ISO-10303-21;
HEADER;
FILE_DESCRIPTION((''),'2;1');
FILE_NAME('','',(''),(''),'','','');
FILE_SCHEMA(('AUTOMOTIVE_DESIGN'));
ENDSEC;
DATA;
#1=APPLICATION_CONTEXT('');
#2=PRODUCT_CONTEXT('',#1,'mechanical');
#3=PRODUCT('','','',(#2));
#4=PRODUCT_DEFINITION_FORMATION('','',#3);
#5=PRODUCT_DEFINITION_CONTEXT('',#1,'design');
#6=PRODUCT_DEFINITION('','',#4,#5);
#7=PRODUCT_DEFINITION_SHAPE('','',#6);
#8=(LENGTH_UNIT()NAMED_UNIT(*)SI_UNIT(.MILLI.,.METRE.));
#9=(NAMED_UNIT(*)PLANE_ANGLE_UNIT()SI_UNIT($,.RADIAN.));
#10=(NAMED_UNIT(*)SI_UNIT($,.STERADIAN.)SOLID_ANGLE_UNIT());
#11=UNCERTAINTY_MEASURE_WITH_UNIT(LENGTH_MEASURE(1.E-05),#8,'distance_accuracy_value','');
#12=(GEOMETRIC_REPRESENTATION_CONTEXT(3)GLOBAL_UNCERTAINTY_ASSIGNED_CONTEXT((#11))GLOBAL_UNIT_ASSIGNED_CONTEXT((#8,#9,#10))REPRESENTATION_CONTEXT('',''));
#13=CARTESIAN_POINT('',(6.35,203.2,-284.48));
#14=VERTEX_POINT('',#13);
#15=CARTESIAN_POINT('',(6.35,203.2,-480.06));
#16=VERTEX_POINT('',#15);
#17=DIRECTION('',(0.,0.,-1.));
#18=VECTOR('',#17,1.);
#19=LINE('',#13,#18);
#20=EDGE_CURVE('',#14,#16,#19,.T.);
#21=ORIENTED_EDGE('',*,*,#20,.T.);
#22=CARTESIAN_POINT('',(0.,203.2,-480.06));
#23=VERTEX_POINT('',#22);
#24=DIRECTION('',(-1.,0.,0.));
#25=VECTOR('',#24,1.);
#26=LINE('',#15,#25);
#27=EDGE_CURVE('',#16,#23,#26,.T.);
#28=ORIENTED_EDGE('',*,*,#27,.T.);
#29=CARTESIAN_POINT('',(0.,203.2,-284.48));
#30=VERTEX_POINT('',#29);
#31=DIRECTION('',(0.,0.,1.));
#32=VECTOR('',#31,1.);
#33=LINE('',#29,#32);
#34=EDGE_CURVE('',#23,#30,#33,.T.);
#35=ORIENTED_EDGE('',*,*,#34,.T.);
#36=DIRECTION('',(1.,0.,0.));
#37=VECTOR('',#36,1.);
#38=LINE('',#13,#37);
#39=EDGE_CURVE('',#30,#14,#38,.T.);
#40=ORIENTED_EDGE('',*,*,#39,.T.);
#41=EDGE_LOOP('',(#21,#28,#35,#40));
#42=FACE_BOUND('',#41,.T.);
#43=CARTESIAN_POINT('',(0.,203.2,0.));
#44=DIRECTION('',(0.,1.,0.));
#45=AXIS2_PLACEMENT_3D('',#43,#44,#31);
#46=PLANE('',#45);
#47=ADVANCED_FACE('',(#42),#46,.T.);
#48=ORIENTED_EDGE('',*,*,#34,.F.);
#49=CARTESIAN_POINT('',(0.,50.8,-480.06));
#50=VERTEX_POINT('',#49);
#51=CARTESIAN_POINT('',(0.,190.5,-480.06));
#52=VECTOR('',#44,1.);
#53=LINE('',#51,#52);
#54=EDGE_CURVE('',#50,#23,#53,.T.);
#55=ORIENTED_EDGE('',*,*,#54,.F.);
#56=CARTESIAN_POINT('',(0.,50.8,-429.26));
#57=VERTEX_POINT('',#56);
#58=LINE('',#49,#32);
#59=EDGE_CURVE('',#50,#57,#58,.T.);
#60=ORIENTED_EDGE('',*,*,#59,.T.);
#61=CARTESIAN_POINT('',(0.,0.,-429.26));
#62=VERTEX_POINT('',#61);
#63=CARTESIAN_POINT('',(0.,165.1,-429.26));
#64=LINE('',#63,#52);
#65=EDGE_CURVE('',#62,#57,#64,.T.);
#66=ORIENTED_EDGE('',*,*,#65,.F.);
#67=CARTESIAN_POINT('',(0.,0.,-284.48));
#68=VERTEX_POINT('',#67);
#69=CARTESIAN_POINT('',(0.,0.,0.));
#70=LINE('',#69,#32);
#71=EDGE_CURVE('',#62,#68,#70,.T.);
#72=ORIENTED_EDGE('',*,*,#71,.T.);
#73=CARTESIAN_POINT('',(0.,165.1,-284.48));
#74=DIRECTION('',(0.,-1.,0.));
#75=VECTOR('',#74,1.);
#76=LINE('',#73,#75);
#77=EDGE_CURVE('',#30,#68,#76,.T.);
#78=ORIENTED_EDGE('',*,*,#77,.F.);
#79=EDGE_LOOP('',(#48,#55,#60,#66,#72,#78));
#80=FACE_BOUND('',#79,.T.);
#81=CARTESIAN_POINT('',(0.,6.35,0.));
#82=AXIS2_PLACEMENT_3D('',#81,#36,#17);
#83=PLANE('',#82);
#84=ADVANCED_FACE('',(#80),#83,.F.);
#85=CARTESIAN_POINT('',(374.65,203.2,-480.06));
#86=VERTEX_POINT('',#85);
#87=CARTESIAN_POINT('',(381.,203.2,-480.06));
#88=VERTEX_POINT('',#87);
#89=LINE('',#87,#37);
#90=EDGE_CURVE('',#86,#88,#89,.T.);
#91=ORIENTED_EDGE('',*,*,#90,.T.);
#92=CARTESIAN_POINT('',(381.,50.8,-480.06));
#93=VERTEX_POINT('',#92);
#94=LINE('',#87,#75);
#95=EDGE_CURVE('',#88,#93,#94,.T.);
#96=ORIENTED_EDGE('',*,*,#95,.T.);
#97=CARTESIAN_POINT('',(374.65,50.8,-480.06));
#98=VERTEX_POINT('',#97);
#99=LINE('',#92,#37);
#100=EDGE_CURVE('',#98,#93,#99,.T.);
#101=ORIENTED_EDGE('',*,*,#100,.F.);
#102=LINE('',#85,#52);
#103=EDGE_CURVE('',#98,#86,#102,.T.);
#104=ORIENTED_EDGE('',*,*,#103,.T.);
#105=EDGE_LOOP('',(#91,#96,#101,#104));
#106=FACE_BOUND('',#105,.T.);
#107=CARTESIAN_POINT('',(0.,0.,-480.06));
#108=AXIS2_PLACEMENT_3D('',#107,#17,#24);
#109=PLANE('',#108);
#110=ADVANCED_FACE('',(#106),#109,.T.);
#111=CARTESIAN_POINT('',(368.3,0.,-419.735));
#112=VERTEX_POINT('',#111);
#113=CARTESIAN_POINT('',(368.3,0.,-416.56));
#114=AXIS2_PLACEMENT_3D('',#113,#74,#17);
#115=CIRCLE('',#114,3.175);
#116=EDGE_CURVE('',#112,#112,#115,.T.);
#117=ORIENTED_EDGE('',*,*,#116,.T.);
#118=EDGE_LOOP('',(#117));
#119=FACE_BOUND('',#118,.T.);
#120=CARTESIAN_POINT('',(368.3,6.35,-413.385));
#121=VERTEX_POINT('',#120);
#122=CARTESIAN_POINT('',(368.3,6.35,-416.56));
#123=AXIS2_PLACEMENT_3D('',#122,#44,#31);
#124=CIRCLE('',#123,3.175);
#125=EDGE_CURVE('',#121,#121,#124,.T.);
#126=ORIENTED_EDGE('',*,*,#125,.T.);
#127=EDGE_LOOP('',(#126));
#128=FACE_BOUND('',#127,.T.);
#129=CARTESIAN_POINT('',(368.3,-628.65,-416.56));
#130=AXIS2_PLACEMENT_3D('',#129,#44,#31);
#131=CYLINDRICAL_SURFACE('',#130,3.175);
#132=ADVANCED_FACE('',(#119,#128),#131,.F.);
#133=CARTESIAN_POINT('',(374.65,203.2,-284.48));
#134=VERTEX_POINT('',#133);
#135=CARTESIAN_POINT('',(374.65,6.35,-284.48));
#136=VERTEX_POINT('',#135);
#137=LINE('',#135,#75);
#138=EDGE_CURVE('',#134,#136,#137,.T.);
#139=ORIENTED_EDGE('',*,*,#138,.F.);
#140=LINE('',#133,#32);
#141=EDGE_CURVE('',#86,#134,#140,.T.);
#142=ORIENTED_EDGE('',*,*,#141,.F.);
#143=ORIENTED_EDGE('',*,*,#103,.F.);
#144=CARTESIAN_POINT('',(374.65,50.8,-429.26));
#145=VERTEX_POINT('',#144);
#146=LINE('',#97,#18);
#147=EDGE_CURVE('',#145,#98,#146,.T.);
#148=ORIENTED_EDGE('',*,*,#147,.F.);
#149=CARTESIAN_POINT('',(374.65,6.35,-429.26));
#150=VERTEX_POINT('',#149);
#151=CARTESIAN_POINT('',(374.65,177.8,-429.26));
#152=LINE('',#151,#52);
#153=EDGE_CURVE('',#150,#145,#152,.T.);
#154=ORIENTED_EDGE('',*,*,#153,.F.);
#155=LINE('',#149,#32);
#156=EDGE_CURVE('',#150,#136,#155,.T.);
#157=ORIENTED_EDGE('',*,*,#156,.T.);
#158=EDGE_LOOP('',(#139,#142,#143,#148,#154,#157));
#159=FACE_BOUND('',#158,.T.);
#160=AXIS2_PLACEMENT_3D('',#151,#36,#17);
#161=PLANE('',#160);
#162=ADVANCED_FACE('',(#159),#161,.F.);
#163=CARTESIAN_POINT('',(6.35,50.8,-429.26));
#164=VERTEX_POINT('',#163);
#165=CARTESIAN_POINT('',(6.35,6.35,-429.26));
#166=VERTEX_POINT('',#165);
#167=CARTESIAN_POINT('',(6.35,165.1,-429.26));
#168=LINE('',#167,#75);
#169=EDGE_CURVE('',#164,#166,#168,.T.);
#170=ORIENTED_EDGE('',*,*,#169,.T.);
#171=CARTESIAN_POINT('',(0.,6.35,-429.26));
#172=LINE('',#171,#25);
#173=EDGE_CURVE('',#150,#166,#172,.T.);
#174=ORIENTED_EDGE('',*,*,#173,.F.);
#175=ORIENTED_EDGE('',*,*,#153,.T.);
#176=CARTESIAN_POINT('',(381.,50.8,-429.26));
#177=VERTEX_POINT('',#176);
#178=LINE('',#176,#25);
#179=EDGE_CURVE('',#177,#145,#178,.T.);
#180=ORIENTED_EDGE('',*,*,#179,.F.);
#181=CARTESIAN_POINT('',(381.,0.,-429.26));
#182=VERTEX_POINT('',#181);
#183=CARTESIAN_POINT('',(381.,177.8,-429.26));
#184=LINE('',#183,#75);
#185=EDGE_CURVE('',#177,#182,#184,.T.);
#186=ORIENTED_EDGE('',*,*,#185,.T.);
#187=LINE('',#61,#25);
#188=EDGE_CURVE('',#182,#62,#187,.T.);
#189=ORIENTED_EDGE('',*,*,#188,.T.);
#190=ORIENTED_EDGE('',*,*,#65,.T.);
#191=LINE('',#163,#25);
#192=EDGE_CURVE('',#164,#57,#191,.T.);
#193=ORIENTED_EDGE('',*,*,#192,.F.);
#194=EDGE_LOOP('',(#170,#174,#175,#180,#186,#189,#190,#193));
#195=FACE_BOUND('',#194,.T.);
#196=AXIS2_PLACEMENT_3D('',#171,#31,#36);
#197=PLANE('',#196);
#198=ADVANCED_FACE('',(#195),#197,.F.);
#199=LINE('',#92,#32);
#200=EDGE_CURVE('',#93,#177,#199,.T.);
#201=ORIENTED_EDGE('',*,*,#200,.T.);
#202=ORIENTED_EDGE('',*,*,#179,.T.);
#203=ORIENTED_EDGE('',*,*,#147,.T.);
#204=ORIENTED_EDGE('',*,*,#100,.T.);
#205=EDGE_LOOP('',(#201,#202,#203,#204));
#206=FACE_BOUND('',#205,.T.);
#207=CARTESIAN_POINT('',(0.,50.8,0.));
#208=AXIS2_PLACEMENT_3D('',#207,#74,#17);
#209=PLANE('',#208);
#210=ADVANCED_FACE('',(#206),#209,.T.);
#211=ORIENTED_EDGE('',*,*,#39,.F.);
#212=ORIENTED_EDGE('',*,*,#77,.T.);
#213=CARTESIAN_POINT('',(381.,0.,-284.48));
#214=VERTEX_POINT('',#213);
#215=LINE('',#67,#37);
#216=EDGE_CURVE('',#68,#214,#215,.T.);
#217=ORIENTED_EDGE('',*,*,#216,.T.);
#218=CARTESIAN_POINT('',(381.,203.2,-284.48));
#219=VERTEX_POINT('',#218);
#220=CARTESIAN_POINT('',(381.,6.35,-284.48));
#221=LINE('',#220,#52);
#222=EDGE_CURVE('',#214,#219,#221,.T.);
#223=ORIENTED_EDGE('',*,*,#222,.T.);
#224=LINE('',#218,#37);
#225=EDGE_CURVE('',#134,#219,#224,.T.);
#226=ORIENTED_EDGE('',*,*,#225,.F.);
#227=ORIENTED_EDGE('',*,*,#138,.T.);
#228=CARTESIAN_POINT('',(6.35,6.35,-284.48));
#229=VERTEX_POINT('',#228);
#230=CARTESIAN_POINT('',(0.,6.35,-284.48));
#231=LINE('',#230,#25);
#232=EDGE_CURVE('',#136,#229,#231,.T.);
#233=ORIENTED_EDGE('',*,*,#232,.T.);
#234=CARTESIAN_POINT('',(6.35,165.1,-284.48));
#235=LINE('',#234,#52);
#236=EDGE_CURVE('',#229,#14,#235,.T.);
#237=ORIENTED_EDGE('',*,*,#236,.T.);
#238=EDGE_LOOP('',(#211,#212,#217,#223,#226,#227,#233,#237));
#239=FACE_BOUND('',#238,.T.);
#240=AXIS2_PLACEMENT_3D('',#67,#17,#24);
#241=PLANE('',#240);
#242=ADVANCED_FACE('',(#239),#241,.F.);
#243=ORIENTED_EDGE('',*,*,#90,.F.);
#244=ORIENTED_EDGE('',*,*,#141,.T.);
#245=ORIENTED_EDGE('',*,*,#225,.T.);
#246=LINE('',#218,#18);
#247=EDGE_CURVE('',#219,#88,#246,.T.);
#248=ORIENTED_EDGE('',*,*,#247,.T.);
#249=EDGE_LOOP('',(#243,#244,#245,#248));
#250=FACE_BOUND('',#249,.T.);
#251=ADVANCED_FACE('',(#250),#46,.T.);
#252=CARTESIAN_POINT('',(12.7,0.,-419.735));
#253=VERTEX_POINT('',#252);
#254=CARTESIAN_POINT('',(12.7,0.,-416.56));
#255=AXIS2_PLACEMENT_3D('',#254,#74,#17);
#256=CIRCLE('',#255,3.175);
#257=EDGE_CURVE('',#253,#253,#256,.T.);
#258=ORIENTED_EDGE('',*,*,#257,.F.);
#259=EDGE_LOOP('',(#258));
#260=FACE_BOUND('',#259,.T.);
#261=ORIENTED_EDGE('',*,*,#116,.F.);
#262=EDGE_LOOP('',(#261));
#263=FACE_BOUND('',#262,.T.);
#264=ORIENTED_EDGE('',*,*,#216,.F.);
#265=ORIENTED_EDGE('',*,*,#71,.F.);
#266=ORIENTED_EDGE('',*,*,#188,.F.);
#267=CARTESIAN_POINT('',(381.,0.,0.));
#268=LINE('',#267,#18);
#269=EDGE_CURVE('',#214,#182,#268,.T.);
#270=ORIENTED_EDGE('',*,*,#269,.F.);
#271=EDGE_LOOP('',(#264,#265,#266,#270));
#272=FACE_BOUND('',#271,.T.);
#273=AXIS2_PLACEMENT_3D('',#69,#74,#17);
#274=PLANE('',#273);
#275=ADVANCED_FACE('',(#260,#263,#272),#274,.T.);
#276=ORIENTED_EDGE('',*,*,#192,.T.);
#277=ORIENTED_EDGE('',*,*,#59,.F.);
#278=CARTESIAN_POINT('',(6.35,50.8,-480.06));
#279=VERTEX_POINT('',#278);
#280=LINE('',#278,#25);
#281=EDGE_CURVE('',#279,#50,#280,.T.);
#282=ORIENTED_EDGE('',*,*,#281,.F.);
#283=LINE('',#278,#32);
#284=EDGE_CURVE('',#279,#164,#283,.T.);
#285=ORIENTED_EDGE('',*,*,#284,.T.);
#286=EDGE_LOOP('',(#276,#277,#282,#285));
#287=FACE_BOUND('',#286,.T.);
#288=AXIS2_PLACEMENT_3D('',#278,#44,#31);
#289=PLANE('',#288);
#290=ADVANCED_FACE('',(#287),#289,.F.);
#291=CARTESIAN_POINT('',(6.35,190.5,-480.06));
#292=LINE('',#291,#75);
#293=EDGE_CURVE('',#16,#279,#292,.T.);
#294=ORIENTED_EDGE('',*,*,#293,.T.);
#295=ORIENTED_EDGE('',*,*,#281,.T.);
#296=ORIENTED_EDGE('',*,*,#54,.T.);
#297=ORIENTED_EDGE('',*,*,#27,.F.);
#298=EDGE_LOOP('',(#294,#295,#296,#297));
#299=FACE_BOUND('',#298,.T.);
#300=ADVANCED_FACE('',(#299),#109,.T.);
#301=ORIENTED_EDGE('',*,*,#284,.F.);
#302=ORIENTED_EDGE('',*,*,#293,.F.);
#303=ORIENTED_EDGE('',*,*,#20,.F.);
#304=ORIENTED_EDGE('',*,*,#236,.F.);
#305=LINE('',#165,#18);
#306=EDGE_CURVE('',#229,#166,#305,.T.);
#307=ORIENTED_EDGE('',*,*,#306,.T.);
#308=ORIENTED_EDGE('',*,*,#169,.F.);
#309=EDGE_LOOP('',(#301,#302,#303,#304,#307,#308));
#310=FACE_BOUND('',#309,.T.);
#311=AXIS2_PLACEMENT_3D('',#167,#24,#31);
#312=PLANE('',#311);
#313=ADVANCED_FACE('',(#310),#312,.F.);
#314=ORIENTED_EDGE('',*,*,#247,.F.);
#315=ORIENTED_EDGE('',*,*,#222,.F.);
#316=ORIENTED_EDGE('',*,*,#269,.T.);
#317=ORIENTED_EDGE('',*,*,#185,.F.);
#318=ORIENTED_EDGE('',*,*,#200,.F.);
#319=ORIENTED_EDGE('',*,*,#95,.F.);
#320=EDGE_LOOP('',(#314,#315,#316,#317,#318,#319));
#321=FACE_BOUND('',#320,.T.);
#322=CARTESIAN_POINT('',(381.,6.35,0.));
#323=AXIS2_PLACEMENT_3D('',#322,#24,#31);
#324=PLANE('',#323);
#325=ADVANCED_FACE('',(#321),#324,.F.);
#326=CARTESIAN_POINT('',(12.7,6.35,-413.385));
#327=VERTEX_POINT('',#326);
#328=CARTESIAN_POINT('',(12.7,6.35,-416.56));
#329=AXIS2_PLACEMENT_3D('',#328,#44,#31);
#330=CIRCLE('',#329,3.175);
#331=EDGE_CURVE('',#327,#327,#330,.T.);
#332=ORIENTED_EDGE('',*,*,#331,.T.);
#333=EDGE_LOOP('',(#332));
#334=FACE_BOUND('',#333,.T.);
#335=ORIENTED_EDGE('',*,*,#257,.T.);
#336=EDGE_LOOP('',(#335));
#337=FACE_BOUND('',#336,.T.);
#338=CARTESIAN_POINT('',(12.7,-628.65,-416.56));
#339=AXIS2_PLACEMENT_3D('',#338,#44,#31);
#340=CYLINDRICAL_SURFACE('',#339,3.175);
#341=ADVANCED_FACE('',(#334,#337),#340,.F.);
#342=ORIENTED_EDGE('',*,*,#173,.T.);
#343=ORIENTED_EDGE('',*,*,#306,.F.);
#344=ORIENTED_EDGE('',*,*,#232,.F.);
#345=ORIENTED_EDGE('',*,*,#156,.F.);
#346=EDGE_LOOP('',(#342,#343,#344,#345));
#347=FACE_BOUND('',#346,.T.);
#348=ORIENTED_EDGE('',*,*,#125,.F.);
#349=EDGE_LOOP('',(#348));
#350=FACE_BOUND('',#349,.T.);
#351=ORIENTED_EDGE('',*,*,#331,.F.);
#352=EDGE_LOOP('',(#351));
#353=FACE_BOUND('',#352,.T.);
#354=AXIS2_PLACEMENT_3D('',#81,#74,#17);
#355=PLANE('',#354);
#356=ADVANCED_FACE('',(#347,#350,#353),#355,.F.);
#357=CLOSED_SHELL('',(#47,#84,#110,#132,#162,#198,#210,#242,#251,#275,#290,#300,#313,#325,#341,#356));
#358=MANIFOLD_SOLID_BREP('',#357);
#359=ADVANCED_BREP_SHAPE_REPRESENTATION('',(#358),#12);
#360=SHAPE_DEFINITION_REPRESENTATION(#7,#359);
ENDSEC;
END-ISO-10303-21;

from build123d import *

# Parameters (mm, degrees)
SKETCH1_W            = 381
SKETCH1_H            = 429.26
BOSS_EXTRUDE1_DEPTH  = 6.35
SKETCH2_W            = 254
SKETCH2_H            = 203.2
CUT_EXTRUDE1_DEPTH   = 6.35
SKETCH3_W            = 381
SKETCH3_H            = 73.66
CUT_EXTRUDE2_DEPTH   = 6.35
SKETCH4_W            = 254
SKETCH4_H            = 6.35
CUT_EXTRUDE3_DEPTH   = 73.66
SKETCH6_W            = 6.35
SKETCH6_H            = 195.58
BOSS_EXTRUDE2_DEPTH  = 171.45
SKETCH7_W            = 6.35
SKETCH7_H            = 195.58
BOSS_EXTRUDE3_DEPTH  = 158.75
SKETCH8_W            = 6.35
SKETCH8_H            = 165.1
BOSS_EXTRUDE4_DEPTH  = 50.8
SKETCH9_W            = 6.35
SKETCH9_H            = 158.75
CUT_EXTRUDE4_DEPTH   = 50.8
SKETCH10_W           = 6.899940386
SKETCH10_H           = 177.8
BOSS_EXTRUDE5_DEPTH  = 50.8
SKETCH11_W           = 6.35
SKETCH11_H           = 171.45
CUT_EXTRUDE5_DEPTH   = 50.8
SKETCH13_W           = 0.549940386
SKETCH13_H           = 171.45
CUT_EXTRUDE6_DEPTH   = 50.8
SKETCH14_W           = 6.899940386
SKETCH14_H           = 177.8
CUT_EXTRUDE7_DEPTH   = 50.8
SKETCH15_W           = 6.35
SKETCH15_H           = 165.1
CUT_EXTRUDE8_DEPTH   = 50.8
SKETCH16_W           = 6.35
SKETCH16_H           = 144.78
BOSS_EXTRUDE6_DEPTH  = 25.4
SKETCH17_W           = 6.35
SKETCH17_H           = 144.78
BOSS_EXTRUDE7_DEPTH  = 19.05
SKETCH19_W           = 6.35
SKETCH19_H           = 139.7
BOSS_EXTRUDE8_DEPTH  = 50.8
SKETCH20_W           = 6.35
SKETCH20_H           = 195.58
BOSS_EXTRUDE9_DEPTH  = 31.75
SKETCH21_W           = 6.35
SKETCH21_H           = 139.7
BOSS_EXTRUDE10_DEPTH = 50.8
SKETCH22_W           = 6.35
SKETCH22_H           = 195.58
BOSS_EXTRUDE11_DEPTH = 50.8
SKETCH23_W           = 6.35
SKETCH23_H           = 50.8
BOSS_EXTRUDE12_DEPTH = 12.7
SKETCH24_W           = 6.35
SKETCH24_H           = 195.58
BOSS_EXTRUDE13_DEPTH = 12.7
SKETCH26_W           = 381
SKETCH26_H           = 210.82
CUT_EXTRUDE9_DEPTH   = 12.7
SKETCH27_R           = 3.175
CUT_EXTRUDE10_DEPTH  = 635
SKETCH28_R           = 3.175
CUT_EXTRUDE11_DEPTH  = 635


with BuildPart() as part:
    # Sketch1 → Boss-Extrude1 (new body)
    with BuildSketch(Plane(origin=(0, 0, 0), x_dir=(1, 0, 0), z_dir=(0, 1, 0))):
        with Locations((190.5, 214.63)):
            Rectangle(SKETCH1_W, SKETCH1_H)
    extrude(amount=BOSS_EXTRUDE1_DEPTH)

    # Sketch2 → Cut-Extrude1 (cut)
    with BuildSketch(Plane(origin=(0, 6.35, 0), x_dir=(1, 0, 0), z_dir=(0, 1, 0))):
        with Locations((190.5, 101.6)):
            Rectangle(SKETCH2_W, SKETCH2_H)
    extrude(amount=-CUT_EXTRUDE1_DEPTH, mode=Mode.SUBTRACT)

    # Sketch3 → Cut-Extrude2 (cut)
    with BuildSketch(Plane(origin=(0, 6.35, 0), x_dir=(1, 0, 0), z_dir=(0, 1, 0))):
        with Locations((190.5, 36.83)):
            Rectangle(SKETCH3_W, SKETCH3_H)
    extrude(amount=-CUT_EXTRUDE2_DEPTH, mode=Mode.SUBTRACT)

    # Sketch4 → Cut-Extrude3 (cut)
    with BuildSketch(Plane.XY.offset(-203.2)):
        with Locations((190.5, 3.175)):
            Rectangle(SKETCH4_W, SKETCH4_H)
    extrude(amount=-CUT_EXTRUDE3_DEPTH, mode=Mode.SUBTRACT)

    # Sketch6 → Boss-Extrude2 (add)
    with BuildSketch(Plane(origin=(0, 6.35, 0), x_dir=(1, 0, 0), z_dir=(0, 1, 0))):
        with Locations((377.825, 331.47)):
            Rectangle(SKETCH6_W, SKETCH6_H)
    extrude(amount=BOSS_EXTRUDE2_DEPTH)

    # Sketch7 → Boss-Extrude3 (add)
    with BuildSketch(Plane(origin=(0, 6.35, 0), x_dir=(1, 0, 0), z_dir=(0, 1, 0))):
        with Locations((3.175, 331.47)):
            Rectangle(SKETCH7_W, SKETCH7_H)
    extrude(amount=BOSS_EXTRUDE3_DEPTH)

    # Sketch8 → Boss-Extrude4 (add)
    with BuildSketch(Plane(origin=(0, 0, -429.26), x_dir=(-1, 0, 0), z_dir=(0, 0, -1))):
        with Locations((-3.175, 82.55)):
            Rectangle(SKETCH8_W, SKETCH8_H)
    extrude(amount=BOSS_EXTRUDE4_DEPTH)

    # Sketch9 → Cut-Extrude4 (cut)
    with BuildSketch(Plane.XY.offset(-233.68)):
        with Locations((3.175, 85.725)):
            Rectangle(SKETCH9_W, SKETCH9_H)
    extrude(amount=-CUT_EXTRUDE4_DEPTH, mode=Mode.SUBTRACT)

    # Sketch10 → Boss-Extrude5 (add)
    with BuildSketch(Plane(origin=(0, 0, -429.26), x_dir=(-1, 0, 0), z_dir=(0, 0, -1))):
        with Locations((-377.550029807, 88.9)):
            Rectangle(SKETCH10_W, SKETCH10_H)
    extrude(amount=BOSS_EXTRUDE5_DEPTH)

    # Sketch11 → Cut-Extrude5 (cut)
    with BuildSketch(Plane.XY.offset(-233.68)):
        with Locations((377.825, 92.075)):
            Rectangle(SKETCH11_W, SKETCH11_H)
    extrude(amount=-CUT_EXTRUDE5_DEPTH, mode=Mode.SUBTRACT)

    # Sketch13 → Cut-Extrude6 (cut)
    with BuildSketch(Plane.XY.offset(-429.26)):
        with Locations((374.375029807, 92.075)):
            Rectangle(SKETCH13_W, SKETCH13_H)
    extrude(amount=-CUT_EXTRUDE6_DEPTH, mode=Mode.SUBTRACT)

    # Sketch14 → Cut-Extrude7 (cut)
    with BuildSketch(Plane(origin=(0, 0, -480.06), x_dir=(-1, 0, 0), z_dir=(0, 0, -1))):
        with Locations((-377.550029807, 88.9)):
            Rectangle(SKETCH14_W, SKETCH14_H)
    extrude(amount=-CUT_EXTRUDE7_DEPTH, mode=Mode.SUBTRACT)

    # Sketch15 → Cut-Extrude8 (cut)
    with BuildSketch(Plane(origin=(0, 0, -480.06), x_dir=(-1, 0, 0), z_dir=(0, 0, -1))):
        with Locations((-3.175, 82.55)):
            Rectangle(SKETCH15_W, SKETCH15_H)
    extrude(amount=-CUT_EXTRUDE8_DEPTH, mode=Mode.SUBTRACT)

    # Sketch16 → Boss-Extrude6 (add)
    with BuildSketch(Plane(origin=(0, 177.8, 0), x_dir=(1, 0, 0), z_dir=(0, 1, 0))):
        with Locations((377.825, 356.87)):
            Rectangle(SKETCH16_W, SKETCH16_H)
    extrude(amount=BOSS_EXTRUDE6_DEPTH)

    # Sketch17 → Boss-Extrude7 (add)
    with BuildSketch(Plane(origin=(0, 165.1, 0), x_dir=(1, 0, 0), z_dir=(0, 1, 0))):
        with Locations((3.175, 356.87)):
            Rectangle(SKETCH17_W, SKETCH17_H)
    extrude(amount=-BOSS_EXTRUDE7_DEPTH)

    # Sketch19 → Boss-Extrude8 (add)
    with BuildSketch(Plane(origin=(0, 0, -429.26), x_dir=(-1, 0, 0), z_dir=(0, 0, -1))):
        with Locations((-3.175, 120.65)):
            Rectangle(SKETCH19_W, SKETCH19_H)
    extrude(amount=BOSS_EXTRUDE8_DEPTH)

    # Sketch20 → Boss-Extrude9 (add)
    with BuildSketch(Plane(origin=(0, 190.5, 0), x_dir=(1, 0, 0), z_dir=(0, 1, 0))):
        with Locations((3.175, 382.27)):
            Rectangle(SKETCH20_W, SKETCH20_H)
    extrude(amount=-BOSS_EXTRUDE9_DEPTH)

    # Sketch21 → Boss-Extrude10 (add)
    with BuildSketch(Plane(origin=(0, 0, -429.26), x_dir=(-1, 0, 0), z_dir=(0, 0, -1))):
        with Locations((-377.825, 133.35)):
            Rectangle(SKETCH21_W, SKETCH21_H)
    extrude(amount=BOSS_EXTRUDE10_DEPTH)

    # Sketch22 → Boss-Extrude11 (add)
    with BuildSketch(Plane(origin=(0, 203.2, 0), x_dir=(1, 0, 0), z_dir=(0, 1, 0))):
        with Locations((377.825, 382.27)):
            Rectangle(SKETCH22_W, SKETCH22_H)
    extrude(amount=-BOSS_EXTRUDE11_DEPTH)

    # Sketch23 → Boss-Extrude12 (add)
    with BuildSketch(Plane.XZ.offset(-63.5)):
        with Locations((377.825, -454.66)):
            Rectangle(SKETCH23_W, SKETCH23_H)
    extrude(amount=BOSS_EXTRUDE12_DEPTH)

    # Sketch24 → Boss-Extrude13 (add)
    with BuildSketch(Plane(origin=(0, 190.5, 0), x_dir=(1, 0, 0), z_dir=(0, 1, 0))):
        with Locations((3.175, 382.27)):
            Rectangle(SKETCH24_W, SKETCH24_H)
    extrude(amount=BOSS_EXTRUDE13_DEPTH)

    # Sketch26 → Cut-Extrude9 (cut)
    with BuildSketch(Plane(origin=(0, 6.35, 0), x_dir=(1, 0, 0), z_dir=(0, 1, 0))):
        with Locations((190.5, 179.07)):
            Rectangle(SKETCH26_W, SKETCH26_H)
    extrude(amount=-CUT_EXTRUDE9_DEPTH, mode=Mode.SUBTRACT)

    # Sketch27 → Cut-Extrude10 (cut)
    with BuildSketch(Plane(origin=(0, 6.35, 0), x_dir=(1, 0, 0), z_dir=(0, 1, 0))):
        with Locations((368.3, 416.56)):
            Circle(SKETCH27_R)
    extrude(amount=-CUT_EXTRUDE10_DEPTH, mode=Mode.SUBTRACT)

    # Sketch28 → Cut-Extrude11 (cut)
    with BuildSketch(Plane(origin=(0, 6.35, 0), x_dir=(1, 0, 0), z_dir=(0, 1, 0))):
        with Locations((12.7, 416.56)):
            Circle(SKETCH28_R)
    extrude(amount=-CUT_EXTRUDE11_DEPTH, mode=Mode.SUBTRACT)


solid = part.part
